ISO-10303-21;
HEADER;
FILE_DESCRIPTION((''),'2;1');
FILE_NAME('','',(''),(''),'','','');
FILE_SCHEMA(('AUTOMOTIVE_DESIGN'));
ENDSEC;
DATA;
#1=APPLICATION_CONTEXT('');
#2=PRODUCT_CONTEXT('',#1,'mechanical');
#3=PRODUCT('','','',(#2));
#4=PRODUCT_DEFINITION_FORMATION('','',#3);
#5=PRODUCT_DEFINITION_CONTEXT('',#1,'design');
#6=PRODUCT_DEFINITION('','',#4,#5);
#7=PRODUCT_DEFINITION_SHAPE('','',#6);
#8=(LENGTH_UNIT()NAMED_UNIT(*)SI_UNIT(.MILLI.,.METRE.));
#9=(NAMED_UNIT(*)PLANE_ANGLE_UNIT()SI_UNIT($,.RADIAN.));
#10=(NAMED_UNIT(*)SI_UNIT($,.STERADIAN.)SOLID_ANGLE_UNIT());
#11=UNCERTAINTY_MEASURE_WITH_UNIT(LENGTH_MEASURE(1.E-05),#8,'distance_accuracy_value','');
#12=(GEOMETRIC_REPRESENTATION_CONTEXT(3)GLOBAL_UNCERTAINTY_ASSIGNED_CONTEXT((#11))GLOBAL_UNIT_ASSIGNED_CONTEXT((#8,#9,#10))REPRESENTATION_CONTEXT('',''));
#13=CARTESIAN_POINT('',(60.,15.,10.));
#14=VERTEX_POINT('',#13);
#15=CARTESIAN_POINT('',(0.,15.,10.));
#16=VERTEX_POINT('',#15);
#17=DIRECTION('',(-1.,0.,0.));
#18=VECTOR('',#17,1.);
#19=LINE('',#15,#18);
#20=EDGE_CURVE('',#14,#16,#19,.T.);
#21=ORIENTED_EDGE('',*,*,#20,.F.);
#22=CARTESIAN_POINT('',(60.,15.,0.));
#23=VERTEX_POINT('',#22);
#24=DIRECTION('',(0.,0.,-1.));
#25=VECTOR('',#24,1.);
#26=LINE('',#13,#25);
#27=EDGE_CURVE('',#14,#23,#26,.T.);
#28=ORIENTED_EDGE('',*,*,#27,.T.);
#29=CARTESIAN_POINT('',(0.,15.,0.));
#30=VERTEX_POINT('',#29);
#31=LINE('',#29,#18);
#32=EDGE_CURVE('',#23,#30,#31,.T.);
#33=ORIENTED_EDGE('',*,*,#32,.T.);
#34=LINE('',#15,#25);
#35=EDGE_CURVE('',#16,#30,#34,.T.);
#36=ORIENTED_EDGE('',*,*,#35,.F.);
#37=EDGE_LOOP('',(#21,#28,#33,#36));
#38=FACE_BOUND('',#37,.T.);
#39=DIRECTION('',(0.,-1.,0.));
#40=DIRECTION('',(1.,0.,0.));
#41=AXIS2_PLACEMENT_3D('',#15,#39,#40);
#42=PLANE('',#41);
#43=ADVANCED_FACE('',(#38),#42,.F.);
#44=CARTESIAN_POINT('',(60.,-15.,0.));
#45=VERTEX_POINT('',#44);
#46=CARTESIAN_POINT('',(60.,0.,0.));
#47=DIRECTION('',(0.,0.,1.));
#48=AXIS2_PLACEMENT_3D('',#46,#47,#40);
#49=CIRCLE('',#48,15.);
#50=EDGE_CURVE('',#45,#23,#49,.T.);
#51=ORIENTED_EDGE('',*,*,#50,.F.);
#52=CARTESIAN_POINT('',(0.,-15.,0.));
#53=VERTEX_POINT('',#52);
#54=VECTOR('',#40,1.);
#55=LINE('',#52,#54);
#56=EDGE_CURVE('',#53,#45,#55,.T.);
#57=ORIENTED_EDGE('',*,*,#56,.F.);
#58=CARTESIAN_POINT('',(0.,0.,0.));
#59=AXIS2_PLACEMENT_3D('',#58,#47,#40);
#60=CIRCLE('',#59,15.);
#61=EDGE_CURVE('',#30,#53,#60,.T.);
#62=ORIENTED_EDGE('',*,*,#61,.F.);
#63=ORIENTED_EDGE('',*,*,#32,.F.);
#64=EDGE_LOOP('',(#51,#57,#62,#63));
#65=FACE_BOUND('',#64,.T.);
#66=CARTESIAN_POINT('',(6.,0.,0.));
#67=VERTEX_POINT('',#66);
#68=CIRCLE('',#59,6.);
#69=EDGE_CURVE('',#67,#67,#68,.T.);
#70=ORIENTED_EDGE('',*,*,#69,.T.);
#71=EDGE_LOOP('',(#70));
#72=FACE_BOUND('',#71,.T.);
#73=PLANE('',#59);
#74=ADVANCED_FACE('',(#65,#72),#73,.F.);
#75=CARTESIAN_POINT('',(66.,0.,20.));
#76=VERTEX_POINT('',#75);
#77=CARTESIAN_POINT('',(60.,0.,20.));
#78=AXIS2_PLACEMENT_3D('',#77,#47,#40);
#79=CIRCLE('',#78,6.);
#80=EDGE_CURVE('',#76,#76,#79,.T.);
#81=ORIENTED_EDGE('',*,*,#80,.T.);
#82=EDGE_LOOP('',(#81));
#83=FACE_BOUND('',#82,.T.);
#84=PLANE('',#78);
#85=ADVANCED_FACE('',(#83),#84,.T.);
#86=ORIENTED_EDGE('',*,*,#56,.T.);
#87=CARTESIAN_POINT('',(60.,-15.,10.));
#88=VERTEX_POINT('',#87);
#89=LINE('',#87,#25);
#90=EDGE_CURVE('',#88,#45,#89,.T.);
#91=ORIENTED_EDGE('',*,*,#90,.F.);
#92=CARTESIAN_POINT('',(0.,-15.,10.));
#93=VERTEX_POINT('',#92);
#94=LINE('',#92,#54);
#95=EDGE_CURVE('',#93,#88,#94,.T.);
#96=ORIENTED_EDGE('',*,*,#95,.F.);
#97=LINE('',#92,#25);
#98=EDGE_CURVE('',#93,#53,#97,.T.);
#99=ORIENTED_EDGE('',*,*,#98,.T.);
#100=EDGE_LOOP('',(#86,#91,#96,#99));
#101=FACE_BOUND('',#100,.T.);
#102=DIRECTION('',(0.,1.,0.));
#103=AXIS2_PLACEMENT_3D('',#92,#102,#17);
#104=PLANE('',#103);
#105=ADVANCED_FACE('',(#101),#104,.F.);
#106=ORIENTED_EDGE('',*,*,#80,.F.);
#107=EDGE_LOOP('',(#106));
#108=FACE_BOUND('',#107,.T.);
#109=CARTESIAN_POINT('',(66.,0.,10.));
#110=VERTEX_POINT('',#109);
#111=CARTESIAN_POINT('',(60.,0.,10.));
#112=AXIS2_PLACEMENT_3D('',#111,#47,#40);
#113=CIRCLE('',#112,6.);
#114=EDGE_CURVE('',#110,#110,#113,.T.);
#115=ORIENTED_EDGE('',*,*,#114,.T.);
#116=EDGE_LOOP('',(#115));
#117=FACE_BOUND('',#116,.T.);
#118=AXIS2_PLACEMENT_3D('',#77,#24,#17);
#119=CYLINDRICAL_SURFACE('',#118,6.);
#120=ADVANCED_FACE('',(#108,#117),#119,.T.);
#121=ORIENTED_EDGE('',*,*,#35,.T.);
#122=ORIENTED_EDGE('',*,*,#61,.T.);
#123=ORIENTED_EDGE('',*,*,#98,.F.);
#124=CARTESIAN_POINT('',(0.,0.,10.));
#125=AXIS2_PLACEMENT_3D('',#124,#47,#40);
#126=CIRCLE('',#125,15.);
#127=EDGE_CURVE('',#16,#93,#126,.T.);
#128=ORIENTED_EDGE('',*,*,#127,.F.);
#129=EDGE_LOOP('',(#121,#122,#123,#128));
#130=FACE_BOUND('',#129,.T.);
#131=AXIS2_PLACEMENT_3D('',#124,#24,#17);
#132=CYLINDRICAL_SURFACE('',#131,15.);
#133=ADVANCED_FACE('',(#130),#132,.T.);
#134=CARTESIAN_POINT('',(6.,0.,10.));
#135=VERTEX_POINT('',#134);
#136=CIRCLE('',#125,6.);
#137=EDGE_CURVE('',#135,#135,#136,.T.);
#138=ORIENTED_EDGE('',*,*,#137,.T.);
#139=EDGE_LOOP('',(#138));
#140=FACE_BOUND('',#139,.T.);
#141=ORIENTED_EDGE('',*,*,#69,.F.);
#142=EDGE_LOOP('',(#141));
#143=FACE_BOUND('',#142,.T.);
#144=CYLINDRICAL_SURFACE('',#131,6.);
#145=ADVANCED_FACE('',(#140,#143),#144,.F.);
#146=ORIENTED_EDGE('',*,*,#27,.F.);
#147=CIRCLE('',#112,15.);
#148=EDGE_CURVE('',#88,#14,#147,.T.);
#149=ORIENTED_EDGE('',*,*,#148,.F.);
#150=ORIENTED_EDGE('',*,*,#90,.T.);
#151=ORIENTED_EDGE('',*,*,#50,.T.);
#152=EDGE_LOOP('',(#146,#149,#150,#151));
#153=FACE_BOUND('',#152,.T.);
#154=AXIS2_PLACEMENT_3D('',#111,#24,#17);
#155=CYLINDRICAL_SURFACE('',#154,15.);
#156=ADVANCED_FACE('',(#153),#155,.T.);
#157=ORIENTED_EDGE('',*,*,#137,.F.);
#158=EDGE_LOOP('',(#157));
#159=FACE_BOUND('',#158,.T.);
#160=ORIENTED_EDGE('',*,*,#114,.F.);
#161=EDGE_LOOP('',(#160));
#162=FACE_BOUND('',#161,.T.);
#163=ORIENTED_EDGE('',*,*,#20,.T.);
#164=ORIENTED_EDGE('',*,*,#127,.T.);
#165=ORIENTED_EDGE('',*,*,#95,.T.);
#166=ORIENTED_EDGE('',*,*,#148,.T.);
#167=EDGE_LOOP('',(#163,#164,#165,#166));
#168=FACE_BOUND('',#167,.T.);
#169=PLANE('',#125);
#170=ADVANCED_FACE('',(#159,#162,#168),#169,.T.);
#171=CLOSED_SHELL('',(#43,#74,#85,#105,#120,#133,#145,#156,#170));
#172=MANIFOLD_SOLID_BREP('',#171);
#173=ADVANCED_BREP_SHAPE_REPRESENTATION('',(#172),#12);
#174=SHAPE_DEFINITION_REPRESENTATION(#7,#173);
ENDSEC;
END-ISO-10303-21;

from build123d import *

# Parameters (mm, degrees)
CROQUIS1_R              = 6
SALIENTE_EXTRUIR1_DEPTH = 10
CROQUIS2_R              = 6
SALIENTE_EXTRUIR2_DEPTH = 10


with BuildPart() as part:
    # Croquis1 → Saliente-Extruir1 (new body)
    with BuildSketch(Plane.XY):
        with BuildLine():
            Line((0, 15), (60, 15))
            ThreePointArc((60, 15), (75, 0), (60, -15))
            Line((60, -15), (0, -15))
            ThreePointArc((0, -15), (-15, 0), (0, 15))
        make_face()
        Circle(CROQUIS1_R, mode=Mode.SUBTRACT)
    extrude(amount=SALIENTE_EXTRUIR1_DEPTH)

    # Croquis2 → Saliente-Extruir2 (add)
    with BuildSketch(Plane.XY.offset(10)):
        with Locations((60, 0)):
            Circle(CROQUIS2_R)
    extrude(amount=SALIENTE_EXTRUIR2_DEPTH)


solid = part.part
